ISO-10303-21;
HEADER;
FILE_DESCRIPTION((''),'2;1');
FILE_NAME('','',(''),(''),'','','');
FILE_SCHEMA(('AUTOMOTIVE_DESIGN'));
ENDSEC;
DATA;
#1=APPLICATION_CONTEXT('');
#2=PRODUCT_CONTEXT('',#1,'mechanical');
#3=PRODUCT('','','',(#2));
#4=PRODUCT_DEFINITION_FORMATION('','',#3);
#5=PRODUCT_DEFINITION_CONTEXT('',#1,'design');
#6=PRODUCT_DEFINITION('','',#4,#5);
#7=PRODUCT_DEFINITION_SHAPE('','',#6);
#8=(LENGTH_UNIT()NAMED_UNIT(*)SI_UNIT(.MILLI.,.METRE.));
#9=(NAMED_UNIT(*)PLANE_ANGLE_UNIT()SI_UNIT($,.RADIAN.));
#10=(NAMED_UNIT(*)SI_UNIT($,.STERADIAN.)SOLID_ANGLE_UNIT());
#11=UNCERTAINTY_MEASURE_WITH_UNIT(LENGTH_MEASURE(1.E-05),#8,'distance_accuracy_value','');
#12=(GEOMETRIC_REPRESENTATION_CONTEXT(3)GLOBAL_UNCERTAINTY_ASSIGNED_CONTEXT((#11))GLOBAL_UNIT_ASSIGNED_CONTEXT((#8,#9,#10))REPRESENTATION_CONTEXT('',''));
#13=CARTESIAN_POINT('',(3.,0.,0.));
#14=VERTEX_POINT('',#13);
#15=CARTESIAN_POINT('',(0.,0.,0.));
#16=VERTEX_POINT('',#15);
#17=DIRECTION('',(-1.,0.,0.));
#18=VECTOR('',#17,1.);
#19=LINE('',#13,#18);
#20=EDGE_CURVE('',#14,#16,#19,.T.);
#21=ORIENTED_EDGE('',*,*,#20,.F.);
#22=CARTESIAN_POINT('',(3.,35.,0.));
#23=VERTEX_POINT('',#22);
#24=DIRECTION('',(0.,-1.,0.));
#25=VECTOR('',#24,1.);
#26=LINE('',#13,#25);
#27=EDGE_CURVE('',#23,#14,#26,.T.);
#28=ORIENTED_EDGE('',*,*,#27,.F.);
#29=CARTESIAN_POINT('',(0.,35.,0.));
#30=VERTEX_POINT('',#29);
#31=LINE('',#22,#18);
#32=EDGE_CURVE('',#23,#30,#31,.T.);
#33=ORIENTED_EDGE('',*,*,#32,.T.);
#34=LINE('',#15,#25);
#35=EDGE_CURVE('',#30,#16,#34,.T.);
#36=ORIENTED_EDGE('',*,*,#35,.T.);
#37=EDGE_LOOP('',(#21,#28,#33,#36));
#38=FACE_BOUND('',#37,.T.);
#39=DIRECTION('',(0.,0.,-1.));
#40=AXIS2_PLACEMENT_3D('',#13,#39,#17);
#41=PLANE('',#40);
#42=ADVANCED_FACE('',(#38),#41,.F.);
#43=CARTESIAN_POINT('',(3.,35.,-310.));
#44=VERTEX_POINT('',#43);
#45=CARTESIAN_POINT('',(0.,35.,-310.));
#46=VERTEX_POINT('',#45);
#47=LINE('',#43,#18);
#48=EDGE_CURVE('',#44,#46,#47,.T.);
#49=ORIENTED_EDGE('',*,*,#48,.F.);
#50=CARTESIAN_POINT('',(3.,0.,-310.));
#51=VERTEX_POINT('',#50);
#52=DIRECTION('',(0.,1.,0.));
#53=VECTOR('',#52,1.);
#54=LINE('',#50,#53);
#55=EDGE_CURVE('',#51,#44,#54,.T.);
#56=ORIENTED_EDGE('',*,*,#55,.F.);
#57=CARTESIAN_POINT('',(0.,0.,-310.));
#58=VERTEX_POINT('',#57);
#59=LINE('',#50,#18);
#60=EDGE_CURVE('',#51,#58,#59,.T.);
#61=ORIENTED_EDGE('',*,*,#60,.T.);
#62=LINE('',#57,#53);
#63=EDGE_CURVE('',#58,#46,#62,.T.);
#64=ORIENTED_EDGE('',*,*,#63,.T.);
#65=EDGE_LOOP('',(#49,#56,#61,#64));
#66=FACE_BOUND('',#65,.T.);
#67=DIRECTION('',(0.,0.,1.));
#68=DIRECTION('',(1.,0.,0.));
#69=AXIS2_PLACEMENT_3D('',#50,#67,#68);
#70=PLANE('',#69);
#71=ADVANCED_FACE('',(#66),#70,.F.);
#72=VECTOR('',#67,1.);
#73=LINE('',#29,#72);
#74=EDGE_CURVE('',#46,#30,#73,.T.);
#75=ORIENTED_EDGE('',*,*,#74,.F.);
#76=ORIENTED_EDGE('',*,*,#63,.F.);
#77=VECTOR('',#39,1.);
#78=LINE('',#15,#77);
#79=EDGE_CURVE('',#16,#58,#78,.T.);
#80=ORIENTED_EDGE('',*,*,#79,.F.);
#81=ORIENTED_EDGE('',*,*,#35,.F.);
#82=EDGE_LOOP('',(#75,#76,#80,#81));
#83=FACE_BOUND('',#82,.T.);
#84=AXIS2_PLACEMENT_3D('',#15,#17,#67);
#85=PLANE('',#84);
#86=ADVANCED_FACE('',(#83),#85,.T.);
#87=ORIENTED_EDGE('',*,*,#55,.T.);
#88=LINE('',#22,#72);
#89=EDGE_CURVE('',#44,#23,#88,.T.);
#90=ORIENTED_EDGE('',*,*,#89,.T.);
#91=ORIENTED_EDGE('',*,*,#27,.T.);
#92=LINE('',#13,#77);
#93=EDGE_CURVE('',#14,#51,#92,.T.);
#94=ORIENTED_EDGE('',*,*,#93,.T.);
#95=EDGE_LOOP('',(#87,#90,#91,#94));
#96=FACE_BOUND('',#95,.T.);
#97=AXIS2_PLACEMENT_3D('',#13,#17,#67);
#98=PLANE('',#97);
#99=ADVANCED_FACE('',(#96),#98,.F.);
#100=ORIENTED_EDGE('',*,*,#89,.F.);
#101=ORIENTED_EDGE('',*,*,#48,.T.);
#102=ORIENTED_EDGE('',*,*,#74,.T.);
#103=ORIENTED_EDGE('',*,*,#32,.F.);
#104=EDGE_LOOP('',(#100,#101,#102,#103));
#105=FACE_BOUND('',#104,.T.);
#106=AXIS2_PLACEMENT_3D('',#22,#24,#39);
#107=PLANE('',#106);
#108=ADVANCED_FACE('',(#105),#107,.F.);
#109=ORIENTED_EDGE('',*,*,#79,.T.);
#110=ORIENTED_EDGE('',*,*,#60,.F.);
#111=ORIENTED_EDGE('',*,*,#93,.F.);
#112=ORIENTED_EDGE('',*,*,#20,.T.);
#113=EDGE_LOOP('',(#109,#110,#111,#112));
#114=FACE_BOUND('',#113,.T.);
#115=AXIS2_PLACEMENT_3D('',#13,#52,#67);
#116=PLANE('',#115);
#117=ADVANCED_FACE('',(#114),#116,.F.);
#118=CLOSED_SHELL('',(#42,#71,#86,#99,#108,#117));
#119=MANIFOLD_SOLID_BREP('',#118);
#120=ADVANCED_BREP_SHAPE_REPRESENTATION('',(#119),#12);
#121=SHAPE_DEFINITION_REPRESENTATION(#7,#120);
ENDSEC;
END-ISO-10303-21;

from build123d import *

# Parameters (mm, degrees)
IZIM1_W                     = 310
IZIM1_H                     = 35
Y_KSEKLIK_EKSTR_ZYON1_DEPTH = 3


with BuildPart() as part:
    # Çizim1 → Yükseklik-Ekstrüzyon1 (new body)
    with BuildSketch(Plane(origin=(0, 0, 0), x_dir=(0, 0, -1), z_dir=(1, 0, 0))):
        with Locations((155, 17.5)):
            Rectangle(IZIM1_W, IZIM1_H)
    extrude(amount=Y_KSEKLIK_EKSTR_ZYON1_DEPTH)


solid = part.part
